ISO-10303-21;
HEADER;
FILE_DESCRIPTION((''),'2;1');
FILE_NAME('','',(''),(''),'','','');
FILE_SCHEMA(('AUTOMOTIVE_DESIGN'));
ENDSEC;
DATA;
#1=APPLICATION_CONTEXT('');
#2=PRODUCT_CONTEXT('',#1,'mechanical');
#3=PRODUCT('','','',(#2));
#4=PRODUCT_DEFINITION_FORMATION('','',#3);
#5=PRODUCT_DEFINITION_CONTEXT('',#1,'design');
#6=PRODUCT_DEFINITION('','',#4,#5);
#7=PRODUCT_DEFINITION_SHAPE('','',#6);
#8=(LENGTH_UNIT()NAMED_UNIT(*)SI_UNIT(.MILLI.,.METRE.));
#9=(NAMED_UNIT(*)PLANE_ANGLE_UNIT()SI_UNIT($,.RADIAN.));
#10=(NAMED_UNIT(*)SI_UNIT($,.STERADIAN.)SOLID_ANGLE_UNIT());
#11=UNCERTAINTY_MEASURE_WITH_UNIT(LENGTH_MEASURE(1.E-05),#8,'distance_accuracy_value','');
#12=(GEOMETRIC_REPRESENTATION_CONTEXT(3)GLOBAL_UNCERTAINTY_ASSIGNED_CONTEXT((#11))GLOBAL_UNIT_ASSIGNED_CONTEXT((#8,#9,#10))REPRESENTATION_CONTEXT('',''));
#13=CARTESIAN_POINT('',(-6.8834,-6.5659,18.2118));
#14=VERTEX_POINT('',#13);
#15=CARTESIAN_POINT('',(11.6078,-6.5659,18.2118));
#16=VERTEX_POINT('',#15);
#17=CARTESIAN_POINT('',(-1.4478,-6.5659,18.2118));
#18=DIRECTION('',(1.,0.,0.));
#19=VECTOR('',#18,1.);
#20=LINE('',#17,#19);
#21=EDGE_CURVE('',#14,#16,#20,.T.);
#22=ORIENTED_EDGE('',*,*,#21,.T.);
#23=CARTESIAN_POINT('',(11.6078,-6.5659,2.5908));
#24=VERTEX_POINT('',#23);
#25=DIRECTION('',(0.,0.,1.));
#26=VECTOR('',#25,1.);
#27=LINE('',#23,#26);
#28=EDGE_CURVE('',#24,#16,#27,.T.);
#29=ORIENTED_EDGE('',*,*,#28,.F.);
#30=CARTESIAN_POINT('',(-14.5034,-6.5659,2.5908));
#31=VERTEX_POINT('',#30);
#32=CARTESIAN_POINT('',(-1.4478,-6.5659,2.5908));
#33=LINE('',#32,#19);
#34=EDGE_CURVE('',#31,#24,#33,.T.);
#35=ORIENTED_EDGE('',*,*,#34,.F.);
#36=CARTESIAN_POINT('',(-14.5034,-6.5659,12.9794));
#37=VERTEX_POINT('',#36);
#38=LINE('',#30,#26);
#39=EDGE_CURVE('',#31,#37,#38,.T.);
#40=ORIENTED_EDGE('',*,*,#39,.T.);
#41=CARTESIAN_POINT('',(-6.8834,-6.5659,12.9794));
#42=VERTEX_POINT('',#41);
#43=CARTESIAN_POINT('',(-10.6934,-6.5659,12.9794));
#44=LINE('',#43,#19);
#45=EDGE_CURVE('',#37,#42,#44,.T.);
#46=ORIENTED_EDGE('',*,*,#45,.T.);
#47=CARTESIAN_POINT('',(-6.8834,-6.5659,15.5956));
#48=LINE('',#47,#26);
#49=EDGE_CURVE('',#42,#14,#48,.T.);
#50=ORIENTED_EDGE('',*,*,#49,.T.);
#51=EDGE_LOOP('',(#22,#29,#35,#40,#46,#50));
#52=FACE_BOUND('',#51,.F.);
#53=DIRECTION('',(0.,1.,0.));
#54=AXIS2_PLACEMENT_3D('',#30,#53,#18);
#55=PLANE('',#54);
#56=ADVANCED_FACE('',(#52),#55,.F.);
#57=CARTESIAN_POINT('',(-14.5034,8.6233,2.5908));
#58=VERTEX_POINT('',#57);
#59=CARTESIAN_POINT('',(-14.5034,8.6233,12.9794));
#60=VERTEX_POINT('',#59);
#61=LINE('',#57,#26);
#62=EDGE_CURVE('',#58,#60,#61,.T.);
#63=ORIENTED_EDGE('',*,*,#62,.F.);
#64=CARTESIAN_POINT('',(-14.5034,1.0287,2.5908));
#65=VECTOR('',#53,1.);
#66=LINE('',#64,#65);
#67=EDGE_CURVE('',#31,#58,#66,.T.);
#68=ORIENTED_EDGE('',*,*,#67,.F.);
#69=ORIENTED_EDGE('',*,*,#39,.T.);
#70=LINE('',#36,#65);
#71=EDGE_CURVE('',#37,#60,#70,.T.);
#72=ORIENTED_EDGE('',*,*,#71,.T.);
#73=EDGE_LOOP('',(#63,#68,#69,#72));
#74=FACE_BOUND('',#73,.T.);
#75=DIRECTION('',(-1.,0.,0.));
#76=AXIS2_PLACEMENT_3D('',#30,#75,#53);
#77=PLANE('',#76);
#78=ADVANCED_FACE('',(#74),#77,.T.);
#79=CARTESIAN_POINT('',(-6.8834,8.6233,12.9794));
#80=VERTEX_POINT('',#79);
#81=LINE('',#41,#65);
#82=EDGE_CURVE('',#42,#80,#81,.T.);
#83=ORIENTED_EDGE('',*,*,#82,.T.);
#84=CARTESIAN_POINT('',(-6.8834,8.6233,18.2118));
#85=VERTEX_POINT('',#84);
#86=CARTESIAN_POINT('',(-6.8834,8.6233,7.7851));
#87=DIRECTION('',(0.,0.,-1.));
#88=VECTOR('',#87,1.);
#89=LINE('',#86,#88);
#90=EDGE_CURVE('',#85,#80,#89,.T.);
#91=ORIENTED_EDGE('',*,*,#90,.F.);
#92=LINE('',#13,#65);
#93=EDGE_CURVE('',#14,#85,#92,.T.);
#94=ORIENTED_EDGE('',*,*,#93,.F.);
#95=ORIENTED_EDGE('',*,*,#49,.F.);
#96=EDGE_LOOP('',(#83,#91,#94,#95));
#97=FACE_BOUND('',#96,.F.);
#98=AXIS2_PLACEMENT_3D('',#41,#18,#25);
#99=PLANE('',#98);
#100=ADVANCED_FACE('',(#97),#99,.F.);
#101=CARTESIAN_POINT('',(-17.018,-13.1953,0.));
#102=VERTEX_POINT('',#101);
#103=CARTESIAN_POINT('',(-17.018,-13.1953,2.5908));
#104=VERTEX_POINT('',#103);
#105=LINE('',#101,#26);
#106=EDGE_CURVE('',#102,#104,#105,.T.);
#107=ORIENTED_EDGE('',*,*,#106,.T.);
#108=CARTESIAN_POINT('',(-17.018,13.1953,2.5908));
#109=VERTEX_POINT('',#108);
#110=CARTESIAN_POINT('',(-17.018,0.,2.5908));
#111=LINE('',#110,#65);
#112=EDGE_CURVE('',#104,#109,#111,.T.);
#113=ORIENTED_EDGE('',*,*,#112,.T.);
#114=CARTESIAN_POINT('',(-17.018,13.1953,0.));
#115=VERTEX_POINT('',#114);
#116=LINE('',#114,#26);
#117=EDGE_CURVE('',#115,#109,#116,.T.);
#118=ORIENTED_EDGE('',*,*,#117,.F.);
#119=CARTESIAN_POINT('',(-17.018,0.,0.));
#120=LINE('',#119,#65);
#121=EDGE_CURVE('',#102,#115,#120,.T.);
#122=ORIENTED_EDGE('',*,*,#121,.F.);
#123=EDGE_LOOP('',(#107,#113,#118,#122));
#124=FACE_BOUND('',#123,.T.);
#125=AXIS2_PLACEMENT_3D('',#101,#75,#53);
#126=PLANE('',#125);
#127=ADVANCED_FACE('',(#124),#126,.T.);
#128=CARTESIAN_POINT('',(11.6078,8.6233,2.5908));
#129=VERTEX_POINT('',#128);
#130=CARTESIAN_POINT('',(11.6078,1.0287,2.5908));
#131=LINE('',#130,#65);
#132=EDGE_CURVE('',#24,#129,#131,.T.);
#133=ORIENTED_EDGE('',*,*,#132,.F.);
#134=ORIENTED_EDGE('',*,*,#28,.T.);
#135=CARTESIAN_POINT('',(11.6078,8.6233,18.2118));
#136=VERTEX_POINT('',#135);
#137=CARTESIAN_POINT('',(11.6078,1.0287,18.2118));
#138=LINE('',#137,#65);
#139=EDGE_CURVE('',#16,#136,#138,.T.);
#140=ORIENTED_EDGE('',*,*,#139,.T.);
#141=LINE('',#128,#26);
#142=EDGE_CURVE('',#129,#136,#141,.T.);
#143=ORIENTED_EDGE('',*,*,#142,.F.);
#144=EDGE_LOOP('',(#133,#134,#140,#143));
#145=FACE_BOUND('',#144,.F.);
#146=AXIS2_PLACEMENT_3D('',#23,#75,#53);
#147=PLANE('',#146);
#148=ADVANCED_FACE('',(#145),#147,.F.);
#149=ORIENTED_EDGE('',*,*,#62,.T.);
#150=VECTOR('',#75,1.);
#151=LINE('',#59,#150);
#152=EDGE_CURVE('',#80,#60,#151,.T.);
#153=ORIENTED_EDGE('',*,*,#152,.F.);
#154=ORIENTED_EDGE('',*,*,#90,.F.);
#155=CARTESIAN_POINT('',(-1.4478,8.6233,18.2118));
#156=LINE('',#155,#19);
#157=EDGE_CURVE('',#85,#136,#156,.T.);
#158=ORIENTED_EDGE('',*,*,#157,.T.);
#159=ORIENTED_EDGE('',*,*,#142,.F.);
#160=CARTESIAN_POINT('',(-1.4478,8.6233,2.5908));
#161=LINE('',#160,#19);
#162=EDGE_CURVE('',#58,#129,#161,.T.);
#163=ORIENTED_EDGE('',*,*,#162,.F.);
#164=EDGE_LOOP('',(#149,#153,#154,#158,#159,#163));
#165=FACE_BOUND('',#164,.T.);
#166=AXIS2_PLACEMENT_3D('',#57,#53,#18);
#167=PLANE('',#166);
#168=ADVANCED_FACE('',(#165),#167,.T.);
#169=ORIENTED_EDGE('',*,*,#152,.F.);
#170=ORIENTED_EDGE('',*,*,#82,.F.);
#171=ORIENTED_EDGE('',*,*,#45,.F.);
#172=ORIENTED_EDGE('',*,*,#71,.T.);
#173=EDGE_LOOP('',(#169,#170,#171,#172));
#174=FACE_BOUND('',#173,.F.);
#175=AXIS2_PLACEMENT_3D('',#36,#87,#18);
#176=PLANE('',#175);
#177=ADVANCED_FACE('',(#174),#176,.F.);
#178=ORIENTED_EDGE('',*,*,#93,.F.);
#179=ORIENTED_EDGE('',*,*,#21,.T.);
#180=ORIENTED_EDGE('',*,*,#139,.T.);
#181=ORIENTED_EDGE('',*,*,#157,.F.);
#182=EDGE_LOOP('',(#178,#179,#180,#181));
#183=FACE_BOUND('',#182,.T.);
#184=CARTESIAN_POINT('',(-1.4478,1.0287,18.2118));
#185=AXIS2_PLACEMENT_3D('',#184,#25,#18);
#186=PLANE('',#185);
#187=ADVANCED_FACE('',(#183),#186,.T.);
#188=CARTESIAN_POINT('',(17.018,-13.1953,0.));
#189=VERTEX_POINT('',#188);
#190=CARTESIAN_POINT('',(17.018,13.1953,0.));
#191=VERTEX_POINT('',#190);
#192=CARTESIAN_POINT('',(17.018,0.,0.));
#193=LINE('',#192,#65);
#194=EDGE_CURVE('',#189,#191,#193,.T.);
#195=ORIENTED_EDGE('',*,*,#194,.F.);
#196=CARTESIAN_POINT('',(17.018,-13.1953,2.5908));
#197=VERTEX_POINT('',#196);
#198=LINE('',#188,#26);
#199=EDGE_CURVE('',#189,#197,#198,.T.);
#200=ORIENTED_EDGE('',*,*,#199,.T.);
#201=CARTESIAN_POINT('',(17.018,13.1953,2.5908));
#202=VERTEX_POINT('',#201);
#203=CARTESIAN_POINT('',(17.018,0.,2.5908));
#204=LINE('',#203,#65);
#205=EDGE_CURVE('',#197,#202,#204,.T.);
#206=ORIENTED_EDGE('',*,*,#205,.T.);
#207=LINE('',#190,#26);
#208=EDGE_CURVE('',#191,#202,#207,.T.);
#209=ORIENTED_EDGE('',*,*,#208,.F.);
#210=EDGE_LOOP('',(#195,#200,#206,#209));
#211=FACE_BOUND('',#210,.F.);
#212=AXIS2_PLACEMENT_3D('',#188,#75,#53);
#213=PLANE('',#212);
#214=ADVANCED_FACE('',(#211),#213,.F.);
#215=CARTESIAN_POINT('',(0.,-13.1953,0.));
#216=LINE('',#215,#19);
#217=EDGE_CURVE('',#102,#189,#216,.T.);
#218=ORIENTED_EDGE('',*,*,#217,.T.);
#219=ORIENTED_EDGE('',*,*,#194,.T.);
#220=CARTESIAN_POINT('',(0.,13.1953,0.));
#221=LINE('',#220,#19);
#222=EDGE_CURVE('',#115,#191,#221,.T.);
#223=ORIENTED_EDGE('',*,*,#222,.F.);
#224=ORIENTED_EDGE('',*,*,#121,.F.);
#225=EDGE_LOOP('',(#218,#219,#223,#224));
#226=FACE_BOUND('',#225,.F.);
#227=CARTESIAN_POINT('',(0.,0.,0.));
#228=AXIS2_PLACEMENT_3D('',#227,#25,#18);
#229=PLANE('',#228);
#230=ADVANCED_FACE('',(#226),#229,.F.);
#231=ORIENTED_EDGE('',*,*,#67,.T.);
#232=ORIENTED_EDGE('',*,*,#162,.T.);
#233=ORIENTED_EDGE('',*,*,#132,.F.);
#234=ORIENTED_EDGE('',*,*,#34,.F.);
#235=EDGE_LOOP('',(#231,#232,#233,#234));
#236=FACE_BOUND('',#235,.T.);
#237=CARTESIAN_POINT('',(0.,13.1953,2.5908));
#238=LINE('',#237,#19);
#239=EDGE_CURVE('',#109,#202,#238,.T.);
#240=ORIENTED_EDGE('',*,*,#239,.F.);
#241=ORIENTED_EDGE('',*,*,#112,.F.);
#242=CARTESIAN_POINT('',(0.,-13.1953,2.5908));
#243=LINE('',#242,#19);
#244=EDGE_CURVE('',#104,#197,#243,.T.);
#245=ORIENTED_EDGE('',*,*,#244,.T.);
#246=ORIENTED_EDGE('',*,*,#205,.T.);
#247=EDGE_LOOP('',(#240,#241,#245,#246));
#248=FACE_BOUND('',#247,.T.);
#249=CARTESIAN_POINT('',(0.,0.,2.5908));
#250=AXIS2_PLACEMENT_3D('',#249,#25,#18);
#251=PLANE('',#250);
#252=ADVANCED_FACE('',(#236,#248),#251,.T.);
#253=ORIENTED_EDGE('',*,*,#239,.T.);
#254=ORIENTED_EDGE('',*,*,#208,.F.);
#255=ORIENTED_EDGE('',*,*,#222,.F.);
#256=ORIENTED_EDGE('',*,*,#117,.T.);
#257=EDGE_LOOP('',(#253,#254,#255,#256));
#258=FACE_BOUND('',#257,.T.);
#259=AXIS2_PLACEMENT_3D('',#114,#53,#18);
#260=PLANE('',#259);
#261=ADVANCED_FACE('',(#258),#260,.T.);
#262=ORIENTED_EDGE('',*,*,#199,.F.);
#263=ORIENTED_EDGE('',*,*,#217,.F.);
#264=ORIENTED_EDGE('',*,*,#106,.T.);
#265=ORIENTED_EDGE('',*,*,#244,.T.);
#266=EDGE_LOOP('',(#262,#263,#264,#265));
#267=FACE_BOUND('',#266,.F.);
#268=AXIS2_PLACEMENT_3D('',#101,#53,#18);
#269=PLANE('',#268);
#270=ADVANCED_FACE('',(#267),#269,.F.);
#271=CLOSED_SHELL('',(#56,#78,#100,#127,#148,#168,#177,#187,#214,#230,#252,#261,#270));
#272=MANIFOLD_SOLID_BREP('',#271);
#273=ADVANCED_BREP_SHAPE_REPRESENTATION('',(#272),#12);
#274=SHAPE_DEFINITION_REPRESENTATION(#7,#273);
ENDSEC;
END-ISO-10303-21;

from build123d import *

# Parameters (mm, degrees)
F0_W     = 34.036
F0_H     = 26.3906
F1_DEPTH = 2.5908
F2_W     = 26.1112
F2_H     = 15.1892
F3_DEPTH = 15.621
F4_W     = 7.62
F4_H     = 5.2324
F5_DEPTH = 19.7622


with BuildPart() as f1:
    # F0 (on Top) → F1 (new body)
    with BuildSketch(Plane.XY):
        Rectangle(F0_W, F0_H)
    extrude(amount=F1_DEPTH)

    # F2 (on face) → F3 (join)
    with BuildSketch(Plane.XY.offset(2.5908)):
        with Locations((-1.4478, 1.0287)):
            Rectangle(F2_W, F2_H)
    extrude(amount=F3_DEPTH)

    # F4 (on face) → F5 (cut, through all)
    with BuildSketch(Plane.XZ.offset(6.5659)):
        with Locations((-10.6934, 15.5956)):
            Rectangle(F4_W, F4_H)
    extrude(amount=-F5_DEPTH, mode=Mode.SUBTRACT)


solid = f1.part
